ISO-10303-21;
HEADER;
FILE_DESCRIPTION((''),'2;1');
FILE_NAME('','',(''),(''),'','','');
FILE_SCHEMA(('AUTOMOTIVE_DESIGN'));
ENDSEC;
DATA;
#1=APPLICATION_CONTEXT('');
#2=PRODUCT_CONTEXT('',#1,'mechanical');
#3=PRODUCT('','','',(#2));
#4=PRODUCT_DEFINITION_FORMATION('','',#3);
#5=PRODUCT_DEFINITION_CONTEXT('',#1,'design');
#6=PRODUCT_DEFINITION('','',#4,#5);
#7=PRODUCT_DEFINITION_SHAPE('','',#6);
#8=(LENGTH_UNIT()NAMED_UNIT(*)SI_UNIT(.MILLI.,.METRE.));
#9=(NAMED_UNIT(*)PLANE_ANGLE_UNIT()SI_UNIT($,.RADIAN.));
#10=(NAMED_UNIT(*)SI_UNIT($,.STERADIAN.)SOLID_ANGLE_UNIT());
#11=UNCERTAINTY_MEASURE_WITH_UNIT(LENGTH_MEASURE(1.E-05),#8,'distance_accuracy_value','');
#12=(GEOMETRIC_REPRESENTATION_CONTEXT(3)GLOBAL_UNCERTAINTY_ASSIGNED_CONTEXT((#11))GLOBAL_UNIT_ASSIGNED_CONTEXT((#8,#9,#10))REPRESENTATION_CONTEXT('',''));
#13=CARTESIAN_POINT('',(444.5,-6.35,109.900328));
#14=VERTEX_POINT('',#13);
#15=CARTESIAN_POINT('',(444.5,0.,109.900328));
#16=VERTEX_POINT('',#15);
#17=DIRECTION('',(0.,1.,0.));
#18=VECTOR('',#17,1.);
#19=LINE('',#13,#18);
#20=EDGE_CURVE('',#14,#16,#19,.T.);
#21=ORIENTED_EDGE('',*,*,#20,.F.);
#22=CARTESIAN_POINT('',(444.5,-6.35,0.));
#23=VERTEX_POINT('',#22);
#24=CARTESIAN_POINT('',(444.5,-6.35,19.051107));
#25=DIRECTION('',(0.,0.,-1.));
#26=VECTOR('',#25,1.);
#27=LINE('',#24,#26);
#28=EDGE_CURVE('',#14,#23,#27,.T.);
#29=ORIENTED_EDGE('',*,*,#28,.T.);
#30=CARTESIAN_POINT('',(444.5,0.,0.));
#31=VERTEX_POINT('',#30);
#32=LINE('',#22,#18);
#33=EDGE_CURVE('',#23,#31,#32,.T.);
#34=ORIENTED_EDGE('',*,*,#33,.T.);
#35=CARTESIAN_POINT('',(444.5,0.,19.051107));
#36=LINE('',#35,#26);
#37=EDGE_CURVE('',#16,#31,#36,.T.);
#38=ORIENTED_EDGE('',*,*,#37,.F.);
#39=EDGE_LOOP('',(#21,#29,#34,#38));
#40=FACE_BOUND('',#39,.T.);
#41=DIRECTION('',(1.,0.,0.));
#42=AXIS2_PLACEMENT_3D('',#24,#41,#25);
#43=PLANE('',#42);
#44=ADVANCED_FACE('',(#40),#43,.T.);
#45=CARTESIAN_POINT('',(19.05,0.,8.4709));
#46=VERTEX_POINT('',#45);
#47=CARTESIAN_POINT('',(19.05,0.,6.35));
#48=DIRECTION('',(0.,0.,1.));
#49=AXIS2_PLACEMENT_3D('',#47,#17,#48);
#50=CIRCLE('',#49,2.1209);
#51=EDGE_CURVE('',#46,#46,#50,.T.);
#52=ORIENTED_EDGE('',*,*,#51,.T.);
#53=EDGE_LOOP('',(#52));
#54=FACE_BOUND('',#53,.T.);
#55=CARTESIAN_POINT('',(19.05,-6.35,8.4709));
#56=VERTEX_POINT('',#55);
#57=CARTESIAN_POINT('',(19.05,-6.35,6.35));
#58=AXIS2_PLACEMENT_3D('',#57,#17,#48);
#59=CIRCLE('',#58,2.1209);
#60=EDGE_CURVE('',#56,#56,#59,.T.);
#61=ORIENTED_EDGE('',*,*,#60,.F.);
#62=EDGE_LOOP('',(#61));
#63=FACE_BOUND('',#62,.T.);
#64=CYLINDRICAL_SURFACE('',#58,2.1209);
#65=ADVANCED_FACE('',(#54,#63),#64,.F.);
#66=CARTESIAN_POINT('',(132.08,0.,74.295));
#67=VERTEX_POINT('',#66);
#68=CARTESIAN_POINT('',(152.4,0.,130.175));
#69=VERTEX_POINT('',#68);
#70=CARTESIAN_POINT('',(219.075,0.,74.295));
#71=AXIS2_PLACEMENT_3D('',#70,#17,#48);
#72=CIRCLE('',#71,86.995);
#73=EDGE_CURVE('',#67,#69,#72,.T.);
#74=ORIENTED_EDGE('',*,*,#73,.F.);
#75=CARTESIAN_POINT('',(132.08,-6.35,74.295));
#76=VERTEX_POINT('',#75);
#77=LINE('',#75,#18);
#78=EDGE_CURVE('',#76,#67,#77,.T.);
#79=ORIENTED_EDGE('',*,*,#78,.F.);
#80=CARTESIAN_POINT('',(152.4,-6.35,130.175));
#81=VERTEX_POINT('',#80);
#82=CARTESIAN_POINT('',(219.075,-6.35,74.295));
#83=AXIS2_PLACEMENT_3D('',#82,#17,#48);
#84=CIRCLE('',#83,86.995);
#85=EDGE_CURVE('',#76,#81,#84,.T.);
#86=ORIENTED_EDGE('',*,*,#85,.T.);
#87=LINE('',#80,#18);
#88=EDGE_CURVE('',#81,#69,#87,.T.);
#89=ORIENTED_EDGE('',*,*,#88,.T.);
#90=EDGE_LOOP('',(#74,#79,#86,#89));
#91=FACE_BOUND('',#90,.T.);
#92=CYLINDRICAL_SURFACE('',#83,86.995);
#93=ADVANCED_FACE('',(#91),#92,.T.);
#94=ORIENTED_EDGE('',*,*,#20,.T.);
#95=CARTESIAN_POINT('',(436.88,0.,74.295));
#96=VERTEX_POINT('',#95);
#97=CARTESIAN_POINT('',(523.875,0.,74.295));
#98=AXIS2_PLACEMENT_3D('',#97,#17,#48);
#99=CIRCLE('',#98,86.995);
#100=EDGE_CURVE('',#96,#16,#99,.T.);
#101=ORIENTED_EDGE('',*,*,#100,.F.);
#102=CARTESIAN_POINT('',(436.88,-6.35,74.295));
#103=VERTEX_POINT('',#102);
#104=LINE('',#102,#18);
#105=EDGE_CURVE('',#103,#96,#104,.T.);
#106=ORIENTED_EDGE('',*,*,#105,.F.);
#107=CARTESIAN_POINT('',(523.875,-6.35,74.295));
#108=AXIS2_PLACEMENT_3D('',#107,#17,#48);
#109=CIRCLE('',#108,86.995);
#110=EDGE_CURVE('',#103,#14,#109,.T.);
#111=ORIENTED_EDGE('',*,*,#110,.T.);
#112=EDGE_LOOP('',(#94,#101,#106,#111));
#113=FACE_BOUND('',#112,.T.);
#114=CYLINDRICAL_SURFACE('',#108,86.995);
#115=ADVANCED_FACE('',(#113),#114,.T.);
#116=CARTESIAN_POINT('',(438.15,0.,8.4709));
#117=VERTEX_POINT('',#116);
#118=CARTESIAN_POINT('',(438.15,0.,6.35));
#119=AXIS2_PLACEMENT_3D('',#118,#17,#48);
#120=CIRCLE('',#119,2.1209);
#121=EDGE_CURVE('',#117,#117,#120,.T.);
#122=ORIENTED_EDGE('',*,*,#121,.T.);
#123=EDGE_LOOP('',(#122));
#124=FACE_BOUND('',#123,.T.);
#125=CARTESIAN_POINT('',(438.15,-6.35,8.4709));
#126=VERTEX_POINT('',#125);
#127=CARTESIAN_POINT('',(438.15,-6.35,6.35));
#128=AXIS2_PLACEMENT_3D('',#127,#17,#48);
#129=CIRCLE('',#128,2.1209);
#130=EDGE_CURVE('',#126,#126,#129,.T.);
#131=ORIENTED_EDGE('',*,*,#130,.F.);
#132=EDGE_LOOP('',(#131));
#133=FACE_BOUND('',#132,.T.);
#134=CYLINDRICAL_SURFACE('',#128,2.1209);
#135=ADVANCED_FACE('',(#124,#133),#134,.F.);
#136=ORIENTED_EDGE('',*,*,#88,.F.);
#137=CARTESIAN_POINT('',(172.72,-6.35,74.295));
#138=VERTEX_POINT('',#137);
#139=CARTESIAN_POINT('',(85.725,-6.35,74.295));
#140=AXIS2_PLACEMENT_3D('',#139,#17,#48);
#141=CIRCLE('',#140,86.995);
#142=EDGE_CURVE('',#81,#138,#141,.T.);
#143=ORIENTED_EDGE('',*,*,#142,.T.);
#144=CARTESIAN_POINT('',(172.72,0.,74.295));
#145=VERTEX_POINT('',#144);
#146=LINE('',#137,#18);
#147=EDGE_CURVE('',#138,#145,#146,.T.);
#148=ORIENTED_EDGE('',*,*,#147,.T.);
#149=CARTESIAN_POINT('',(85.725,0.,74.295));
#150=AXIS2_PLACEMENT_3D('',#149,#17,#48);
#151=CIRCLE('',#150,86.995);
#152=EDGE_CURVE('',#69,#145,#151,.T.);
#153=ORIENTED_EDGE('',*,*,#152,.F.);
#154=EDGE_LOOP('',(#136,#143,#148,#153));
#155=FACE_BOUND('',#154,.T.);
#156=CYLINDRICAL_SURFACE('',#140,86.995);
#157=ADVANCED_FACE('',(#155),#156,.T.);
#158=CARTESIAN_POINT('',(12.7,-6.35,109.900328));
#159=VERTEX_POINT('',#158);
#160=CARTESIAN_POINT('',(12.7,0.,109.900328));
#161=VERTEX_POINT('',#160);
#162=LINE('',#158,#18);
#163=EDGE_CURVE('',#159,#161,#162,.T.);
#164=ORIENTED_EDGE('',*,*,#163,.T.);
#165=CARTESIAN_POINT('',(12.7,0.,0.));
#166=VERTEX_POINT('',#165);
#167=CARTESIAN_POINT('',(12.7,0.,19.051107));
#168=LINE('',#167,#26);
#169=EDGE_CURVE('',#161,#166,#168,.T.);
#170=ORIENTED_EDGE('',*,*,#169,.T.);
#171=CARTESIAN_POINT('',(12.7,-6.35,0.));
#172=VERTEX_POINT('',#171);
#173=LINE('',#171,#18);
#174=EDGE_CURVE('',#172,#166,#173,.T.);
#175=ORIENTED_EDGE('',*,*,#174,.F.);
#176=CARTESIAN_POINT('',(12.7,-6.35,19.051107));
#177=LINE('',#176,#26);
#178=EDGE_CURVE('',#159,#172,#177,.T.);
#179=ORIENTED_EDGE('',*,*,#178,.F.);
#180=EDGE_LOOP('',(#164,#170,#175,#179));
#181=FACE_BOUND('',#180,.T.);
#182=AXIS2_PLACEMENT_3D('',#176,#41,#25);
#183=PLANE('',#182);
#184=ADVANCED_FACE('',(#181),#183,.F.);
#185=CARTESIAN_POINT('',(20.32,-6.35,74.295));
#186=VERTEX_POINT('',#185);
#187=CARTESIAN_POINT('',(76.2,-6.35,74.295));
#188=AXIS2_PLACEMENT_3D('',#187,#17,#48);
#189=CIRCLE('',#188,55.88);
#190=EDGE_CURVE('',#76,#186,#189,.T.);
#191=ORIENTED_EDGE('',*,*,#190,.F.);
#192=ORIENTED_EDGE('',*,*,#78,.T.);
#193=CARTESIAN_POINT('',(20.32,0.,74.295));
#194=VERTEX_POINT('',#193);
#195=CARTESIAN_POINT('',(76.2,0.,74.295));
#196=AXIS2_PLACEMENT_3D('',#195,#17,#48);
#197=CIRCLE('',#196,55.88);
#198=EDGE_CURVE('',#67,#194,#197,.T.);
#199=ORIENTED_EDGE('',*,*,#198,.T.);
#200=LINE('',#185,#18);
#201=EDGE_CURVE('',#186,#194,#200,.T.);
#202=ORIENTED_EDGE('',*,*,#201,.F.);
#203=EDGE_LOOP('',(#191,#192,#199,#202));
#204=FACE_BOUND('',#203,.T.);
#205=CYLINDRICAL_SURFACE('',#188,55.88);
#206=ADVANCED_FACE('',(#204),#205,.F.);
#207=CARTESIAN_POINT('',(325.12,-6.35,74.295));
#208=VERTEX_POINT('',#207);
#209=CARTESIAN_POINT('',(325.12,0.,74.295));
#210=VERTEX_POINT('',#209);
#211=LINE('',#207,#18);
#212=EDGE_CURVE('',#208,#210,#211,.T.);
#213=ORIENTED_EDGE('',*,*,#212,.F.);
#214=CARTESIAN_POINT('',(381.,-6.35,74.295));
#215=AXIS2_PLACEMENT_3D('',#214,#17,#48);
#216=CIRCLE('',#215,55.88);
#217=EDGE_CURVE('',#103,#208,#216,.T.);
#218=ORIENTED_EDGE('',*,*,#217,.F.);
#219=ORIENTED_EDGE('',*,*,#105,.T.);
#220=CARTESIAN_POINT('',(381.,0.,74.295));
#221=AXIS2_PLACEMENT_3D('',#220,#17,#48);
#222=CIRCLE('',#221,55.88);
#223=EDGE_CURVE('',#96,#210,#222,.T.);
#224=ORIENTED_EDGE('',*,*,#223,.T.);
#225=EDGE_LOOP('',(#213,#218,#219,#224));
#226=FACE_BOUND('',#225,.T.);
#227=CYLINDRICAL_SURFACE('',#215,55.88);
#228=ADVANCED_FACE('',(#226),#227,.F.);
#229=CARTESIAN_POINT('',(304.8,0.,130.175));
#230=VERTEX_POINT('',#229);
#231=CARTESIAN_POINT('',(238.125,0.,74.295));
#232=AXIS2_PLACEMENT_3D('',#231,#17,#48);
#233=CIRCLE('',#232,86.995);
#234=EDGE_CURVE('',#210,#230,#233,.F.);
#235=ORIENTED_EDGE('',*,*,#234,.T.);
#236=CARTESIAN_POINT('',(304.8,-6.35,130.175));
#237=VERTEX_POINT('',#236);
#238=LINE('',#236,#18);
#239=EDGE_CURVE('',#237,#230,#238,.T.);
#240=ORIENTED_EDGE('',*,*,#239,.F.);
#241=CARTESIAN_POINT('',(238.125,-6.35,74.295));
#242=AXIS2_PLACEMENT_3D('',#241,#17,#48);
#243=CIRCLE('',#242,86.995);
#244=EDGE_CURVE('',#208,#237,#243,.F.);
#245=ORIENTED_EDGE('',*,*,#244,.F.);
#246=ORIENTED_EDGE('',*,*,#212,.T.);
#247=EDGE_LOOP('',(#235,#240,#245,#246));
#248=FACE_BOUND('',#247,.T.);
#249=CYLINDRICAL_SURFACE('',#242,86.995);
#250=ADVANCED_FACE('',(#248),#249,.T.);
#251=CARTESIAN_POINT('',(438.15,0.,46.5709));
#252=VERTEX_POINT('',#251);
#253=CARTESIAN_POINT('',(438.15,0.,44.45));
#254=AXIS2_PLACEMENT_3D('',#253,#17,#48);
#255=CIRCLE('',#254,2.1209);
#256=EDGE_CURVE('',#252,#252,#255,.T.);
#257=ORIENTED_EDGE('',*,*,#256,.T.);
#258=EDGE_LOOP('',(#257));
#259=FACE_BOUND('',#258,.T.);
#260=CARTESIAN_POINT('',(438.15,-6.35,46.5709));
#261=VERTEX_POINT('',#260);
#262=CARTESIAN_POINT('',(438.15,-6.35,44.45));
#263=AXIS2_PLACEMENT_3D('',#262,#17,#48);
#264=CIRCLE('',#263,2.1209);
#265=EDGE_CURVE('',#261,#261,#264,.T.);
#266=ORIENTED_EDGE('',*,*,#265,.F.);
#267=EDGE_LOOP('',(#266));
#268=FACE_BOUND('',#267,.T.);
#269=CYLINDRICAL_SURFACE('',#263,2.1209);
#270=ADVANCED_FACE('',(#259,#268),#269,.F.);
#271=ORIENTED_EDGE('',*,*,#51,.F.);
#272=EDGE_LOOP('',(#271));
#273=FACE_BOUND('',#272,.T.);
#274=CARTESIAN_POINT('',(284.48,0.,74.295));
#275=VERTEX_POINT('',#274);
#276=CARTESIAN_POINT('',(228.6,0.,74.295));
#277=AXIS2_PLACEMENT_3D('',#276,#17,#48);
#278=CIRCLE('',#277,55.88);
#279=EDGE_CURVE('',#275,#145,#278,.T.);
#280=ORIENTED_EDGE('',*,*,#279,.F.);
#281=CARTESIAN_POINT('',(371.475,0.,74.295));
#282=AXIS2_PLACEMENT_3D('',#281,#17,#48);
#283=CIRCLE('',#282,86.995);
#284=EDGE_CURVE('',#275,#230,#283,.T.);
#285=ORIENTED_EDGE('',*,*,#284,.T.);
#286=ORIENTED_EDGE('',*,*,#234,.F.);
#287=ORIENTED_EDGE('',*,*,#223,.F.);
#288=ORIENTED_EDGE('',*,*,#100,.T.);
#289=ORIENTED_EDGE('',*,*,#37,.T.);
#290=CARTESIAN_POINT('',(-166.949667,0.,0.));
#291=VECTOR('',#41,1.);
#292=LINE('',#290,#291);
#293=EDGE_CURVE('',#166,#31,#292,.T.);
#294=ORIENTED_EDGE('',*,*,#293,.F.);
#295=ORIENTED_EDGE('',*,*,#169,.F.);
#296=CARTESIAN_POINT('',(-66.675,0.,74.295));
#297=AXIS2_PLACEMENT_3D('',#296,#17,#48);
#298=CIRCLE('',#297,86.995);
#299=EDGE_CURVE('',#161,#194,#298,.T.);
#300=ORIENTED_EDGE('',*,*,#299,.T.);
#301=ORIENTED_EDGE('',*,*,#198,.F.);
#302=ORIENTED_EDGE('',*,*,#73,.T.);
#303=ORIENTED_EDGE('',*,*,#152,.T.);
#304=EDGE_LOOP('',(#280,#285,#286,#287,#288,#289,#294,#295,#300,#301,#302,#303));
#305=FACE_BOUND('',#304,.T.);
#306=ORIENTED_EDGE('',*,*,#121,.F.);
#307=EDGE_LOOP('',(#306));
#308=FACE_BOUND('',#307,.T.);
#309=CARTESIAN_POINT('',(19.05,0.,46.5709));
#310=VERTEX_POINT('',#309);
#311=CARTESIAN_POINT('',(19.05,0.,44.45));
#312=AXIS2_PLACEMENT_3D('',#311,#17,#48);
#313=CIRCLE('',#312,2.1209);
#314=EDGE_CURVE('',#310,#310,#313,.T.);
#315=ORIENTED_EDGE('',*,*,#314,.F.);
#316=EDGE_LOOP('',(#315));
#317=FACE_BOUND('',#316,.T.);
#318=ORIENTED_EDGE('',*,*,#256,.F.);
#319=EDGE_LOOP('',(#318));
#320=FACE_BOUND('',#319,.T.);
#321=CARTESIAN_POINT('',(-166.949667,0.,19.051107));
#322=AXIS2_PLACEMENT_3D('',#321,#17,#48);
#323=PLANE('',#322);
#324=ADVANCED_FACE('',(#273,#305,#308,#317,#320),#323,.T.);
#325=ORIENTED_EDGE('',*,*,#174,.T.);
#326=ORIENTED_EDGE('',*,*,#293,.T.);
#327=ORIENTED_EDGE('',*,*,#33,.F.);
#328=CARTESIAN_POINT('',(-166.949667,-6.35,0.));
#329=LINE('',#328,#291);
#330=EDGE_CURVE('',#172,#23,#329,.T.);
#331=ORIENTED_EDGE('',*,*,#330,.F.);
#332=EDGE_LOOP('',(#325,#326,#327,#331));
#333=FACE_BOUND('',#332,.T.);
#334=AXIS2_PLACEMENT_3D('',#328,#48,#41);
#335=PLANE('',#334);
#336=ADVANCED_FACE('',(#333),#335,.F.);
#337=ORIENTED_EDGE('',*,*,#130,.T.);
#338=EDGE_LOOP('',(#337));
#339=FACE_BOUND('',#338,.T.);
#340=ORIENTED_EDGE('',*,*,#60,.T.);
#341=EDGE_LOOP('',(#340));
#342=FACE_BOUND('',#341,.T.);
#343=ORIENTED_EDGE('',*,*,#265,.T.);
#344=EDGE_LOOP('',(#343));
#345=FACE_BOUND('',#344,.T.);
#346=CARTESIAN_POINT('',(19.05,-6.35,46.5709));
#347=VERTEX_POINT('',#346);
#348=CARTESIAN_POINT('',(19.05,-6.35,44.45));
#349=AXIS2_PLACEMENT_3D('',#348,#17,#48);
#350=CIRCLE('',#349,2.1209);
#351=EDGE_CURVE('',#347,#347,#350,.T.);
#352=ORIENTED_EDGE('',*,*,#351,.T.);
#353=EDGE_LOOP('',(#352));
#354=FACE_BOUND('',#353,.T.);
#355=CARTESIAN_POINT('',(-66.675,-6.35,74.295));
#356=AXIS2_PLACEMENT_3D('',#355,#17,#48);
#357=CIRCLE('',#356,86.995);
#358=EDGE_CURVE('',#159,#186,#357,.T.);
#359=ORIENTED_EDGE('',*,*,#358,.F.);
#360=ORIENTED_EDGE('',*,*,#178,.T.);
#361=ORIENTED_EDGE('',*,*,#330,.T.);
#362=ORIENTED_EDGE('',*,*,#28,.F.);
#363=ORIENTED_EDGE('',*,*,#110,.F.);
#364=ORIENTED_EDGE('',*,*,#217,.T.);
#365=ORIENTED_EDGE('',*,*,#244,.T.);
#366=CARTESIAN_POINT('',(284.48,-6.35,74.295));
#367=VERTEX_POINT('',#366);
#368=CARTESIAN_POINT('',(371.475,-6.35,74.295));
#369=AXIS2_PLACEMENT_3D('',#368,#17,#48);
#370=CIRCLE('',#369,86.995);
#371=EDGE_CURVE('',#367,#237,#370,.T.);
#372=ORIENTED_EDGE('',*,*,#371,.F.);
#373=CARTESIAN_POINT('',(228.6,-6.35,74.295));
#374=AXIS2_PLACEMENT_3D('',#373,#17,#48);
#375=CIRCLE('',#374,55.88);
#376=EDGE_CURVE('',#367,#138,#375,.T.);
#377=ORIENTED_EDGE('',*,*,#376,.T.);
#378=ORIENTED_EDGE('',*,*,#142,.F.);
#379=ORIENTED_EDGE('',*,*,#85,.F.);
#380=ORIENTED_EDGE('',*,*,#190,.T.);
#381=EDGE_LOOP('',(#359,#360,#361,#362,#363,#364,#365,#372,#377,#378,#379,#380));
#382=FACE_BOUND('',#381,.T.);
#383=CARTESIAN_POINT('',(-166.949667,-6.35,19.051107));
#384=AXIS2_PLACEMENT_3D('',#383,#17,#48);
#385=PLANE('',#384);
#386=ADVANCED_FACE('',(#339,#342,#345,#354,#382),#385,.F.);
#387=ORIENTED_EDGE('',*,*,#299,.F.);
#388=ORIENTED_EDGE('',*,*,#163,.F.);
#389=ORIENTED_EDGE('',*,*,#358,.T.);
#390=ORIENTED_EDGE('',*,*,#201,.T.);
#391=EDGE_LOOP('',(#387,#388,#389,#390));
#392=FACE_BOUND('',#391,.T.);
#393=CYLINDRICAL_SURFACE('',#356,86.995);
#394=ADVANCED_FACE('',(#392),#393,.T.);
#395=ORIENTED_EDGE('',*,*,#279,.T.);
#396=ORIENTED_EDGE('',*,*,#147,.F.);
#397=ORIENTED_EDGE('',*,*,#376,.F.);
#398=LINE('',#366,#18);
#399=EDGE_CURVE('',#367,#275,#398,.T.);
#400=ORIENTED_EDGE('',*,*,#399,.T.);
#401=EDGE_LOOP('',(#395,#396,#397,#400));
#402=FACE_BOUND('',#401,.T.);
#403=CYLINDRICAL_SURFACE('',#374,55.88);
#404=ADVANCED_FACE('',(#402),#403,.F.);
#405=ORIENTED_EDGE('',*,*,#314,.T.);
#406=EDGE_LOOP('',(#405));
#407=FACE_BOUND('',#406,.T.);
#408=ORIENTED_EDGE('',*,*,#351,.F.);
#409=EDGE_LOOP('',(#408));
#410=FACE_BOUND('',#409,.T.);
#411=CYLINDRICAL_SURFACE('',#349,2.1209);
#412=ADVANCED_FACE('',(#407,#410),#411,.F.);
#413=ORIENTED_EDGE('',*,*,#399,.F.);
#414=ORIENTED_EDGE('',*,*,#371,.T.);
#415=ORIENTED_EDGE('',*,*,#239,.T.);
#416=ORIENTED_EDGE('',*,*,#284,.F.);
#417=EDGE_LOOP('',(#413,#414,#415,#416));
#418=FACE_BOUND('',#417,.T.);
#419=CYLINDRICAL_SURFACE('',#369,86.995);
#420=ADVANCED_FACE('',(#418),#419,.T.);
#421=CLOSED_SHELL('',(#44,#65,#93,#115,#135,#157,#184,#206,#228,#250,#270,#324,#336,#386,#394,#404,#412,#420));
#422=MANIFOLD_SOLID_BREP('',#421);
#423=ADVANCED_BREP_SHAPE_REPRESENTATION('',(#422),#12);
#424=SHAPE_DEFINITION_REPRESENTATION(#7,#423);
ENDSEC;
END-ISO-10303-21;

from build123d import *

# Parameters (mm, degrees)
SKETCH1_R           = 2.1209
BOSS_EXTRUDE1_DEPTH = 6.35


with BuildPart() as part:
    # Sketch1 → Boss-Extrude1 (new body)
    with BuildSketch(Plane(origin=(0, 0, 0), x_dir=(1, 0, 0), z_dir=(0, 1, 0))):
        with BuildLine():
            ThreePointArc((132.08, -74.295), (137.317671124, -104.024937773), (152.4, -130.175))
            ThreePointArc((152.4, -130.175), (167.482328876, -104.024937773), (172.72, -74.295))
            ThreePointArc((172.72, -74.295), (228.6, -18.415), (284.48, -74.295))
            ThreePointArc((284.48, -74.295), (289.717671124, -104.024937773), (304.8, -130.175))
            ThreePointArc((304.8, -130.175), (319.882328876, -104.024937773), (325.12, -74.295))
            ThreePointArc((325.12, -74.295), (381, -18.415), (436.88, -74.295))
            ThreePointArc((436.88, -74.295), (438.8063273, -92.500794407), (444.5, -109.900328253))
            Line((444.5, -109.900328253), (444.5, 0))
            Line((444.5, 0), (12.7, 0))
            Line((12.7, 0), (12.7, -109.900328253))
            ThreePointArc((12.7, -109.900328253), (18.3936727, -92.500794407), (20.32, -74.295))
            ThreePointArc((20.32, -74.295), (76.2, -18.415), (132.08, -74.295))
        make_face()
        with Locations((19.05, -44.45)):
            Circle(SKETCH1_R, mode=Mode.SUBTRACT)
        with Locations((19.05, -6.35)):
            Circle(SKETCH1_R, mode=Mode.SUBTRACT)
        with Locations((438.15, -6.35)):
            Circle(SKETCH1_R, mode=Mode.SUBTRACT)
        with Locations((438.15, -44.45)):
            Circle(SKETCH1_R, mode=Mode.SUBTRACT)
    extrude(amount=-BOSS_EXTRUDE1_DEPTH)


solid = part.part
